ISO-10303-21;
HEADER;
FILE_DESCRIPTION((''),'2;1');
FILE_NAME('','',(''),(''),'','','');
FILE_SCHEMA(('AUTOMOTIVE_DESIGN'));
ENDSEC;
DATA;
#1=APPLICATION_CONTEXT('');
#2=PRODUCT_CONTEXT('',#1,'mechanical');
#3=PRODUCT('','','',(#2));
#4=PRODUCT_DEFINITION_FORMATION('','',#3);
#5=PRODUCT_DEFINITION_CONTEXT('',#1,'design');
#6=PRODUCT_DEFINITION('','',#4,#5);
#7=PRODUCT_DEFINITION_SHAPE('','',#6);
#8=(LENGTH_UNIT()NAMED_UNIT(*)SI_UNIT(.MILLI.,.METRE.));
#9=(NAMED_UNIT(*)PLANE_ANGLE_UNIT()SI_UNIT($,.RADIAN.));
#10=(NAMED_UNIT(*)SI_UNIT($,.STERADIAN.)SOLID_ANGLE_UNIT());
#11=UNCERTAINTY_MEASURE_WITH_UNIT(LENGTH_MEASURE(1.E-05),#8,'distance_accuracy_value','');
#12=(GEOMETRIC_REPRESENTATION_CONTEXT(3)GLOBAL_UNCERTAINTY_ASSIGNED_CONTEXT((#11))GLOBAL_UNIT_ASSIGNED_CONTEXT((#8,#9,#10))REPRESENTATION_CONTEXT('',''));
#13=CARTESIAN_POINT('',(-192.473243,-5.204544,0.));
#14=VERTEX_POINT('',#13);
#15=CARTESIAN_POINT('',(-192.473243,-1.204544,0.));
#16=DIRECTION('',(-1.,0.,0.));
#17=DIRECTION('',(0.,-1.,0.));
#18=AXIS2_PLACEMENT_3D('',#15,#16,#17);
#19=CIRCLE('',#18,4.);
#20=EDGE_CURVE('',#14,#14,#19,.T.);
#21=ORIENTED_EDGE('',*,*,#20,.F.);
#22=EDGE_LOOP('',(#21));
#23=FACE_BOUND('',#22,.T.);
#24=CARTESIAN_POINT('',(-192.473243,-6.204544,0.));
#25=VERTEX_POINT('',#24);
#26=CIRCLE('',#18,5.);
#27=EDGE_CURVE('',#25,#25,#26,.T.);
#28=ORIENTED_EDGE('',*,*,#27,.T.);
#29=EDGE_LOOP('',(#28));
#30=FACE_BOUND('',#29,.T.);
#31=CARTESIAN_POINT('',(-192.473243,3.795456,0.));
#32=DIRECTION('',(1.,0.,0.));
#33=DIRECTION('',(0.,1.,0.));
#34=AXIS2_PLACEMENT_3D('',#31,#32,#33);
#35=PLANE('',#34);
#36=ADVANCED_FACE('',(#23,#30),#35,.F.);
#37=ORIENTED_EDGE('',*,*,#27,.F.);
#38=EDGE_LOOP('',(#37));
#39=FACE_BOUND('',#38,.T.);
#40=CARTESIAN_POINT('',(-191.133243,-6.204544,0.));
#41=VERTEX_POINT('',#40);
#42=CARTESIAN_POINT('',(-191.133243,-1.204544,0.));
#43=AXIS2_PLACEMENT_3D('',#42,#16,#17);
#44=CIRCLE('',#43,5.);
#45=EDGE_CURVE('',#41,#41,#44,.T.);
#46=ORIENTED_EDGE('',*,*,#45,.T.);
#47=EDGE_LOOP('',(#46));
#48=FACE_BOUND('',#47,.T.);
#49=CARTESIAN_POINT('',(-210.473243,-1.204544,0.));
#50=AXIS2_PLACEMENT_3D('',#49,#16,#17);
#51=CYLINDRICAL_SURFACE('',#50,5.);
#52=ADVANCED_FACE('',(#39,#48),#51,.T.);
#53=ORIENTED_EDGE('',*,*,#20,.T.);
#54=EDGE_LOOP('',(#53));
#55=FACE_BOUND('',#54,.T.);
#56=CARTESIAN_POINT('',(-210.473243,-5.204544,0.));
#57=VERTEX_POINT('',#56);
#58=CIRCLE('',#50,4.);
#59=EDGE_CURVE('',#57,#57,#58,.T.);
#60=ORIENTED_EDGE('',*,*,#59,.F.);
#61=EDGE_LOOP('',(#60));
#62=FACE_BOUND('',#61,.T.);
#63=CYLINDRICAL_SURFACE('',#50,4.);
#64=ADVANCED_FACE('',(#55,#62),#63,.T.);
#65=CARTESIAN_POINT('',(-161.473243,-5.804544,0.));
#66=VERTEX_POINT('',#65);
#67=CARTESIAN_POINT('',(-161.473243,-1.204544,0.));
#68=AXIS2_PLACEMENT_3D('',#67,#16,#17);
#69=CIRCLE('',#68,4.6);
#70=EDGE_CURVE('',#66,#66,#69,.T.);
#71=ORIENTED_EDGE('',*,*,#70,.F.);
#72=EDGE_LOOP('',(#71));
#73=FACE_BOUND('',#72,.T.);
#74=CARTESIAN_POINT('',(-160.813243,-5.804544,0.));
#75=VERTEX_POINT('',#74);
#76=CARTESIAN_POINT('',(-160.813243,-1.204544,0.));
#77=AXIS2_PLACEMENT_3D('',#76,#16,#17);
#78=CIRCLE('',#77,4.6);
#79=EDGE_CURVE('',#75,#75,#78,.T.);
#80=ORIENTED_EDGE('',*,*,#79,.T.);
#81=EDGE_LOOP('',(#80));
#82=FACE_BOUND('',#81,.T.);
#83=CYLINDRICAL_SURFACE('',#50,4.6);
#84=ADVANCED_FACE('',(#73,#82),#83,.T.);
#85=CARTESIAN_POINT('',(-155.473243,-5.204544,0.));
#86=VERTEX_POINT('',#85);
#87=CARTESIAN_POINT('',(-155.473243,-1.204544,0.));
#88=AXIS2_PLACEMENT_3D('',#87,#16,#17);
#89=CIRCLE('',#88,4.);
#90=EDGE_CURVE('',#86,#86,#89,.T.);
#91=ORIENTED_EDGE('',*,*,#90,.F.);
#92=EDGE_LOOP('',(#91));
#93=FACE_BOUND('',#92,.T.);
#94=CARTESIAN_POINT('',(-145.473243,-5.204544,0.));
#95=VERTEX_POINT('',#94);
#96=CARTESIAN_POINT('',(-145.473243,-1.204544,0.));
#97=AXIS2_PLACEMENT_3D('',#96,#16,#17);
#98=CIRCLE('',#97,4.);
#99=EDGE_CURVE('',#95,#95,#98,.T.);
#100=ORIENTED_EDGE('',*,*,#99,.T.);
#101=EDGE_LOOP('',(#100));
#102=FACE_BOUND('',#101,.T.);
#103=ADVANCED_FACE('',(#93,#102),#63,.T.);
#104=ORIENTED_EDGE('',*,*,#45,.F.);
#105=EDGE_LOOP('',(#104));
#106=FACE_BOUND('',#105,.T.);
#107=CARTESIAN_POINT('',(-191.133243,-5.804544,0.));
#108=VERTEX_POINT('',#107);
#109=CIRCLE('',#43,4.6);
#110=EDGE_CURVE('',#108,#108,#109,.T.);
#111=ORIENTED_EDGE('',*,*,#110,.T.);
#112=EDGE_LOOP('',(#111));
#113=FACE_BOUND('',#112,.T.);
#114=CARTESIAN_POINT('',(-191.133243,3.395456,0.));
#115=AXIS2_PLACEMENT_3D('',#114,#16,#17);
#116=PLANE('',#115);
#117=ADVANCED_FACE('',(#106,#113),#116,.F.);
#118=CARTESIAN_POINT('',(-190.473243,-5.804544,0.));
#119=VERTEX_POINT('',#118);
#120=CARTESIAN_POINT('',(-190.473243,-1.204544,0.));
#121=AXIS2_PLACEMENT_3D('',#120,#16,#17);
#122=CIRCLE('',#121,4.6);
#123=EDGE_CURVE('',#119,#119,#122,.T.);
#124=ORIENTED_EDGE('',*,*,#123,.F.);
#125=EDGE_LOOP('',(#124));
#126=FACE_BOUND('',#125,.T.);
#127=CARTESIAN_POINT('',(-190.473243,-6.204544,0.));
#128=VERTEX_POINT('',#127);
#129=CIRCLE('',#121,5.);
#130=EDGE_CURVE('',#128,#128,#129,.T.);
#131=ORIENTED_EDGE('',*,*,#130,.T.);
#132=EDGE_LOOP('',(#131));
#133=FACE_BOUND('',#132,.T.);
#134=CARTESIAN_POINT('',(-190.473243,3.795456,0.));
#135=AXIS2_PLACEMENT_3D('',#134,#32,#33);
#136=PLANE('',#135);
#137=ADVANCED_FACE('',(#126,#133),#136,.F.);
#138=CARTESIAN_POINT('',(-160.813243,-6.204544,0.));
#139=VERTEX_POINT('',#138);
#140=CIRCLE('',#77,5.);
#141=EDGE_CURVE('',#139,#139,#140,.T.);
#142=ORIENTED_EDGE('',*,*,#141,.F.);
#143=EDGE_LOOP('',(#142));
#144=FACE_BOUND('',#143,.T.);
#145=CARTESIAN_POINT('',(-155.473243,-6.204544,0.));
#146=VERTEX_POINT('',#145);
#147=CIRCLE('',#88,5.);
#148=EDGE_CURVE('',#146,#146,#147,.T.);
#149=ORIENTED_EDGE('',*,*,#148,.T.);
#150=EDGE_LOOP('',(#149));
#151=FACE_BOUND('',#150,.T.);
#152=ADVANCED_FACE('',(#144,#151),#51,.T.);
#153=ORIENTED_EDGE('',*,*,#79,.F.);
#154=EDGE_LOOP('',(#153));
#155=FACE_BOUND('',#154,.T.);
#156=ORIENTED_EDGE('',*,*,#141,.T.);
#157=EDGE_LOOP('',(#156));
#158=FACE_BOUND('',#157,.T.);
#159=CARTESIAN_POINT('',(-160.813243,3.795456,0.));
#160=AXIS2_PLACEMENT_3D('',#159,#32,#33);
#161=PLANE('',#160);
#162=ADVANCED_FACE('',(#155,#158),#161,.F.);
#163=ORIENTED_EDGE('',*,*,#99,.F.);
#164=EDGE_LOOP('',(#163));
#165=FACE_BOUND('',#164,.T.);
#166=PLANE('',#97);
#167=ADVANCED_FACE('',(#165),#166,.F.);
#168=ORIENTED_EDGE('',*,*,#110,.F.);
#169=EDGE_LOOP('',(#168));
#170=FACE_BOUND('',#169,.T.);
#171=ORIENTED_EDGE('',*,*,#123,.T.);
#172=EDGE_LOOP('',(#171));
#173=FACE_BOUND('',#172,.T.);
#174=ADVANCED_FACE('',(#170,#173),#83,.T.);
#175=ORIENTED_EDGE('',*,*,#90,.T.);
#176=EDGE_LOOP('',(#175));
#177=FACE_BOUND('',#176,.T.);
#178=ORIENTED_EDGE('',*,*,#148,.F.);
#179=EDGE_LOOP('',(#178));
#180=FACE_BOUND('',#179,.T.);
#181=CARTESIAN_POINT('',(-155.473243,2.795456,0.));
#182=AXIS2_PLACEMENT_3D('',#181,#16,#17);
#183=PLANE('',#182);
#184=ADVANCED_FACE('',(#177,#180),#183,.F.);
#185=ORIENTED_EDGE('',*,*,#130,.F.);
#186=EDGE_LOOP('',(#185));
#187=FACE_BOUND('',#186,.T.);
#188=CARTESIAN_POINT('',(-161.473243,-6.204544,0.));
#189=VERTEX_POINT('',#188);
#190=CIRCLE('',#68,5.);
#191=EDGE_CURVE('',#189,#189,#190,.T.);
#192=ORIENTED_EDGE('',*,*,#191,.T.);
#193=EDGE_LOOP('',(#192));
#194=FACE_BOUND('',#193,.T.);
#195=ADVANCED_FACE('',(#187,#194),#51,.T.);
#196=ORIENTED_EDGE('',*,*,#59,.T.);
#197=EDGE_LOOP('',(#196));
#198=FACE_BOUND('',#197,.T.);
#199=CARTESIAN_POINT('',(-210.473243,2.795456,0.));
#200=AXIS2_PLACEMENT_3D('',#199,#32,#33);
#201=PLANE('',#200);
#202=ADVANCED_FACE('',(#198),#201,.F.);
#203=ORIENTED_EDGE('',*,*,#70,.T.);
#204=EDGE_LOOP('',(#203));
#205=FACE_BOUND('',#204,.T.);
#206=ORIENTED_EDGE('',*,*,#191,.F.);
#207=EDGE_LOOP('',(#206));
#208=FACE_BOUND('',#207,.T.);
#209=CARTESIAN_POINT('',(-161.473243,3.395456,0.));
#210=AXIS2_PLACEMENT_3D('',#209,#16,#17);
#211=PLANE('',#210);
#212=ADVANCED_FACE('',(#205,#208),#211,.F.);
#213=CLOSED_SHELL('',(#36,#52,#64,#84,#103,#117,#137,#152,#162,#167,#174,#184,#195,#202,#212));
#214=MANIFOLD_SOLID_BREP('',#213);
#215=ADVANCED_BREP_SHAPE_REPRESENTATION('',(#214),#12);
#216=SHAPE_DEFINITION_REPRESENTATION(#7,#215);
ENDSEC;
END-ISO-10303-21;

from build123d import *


with BuildPart() as part:
    # Sketch1 → Revolve1 (revolve)
    with BuildSketch(Plane.XY, mode=Mode.PRIVATE) as revolve1_sk:
        Polygon((-145.473243459, -1.204543566), (-145.473243459, 2.795456434), (-155.473243459, 2.795456434), (-155.473243459, 3.795456434), (-160.813243459, 3.795456434), (-160.813243459, 3.395456434), (-161.473243459, 3.395456434), (-161.473243459, 3.795456434), (-190.473243459, 3.795456434), (-190.473243459, 3.395456434), (-191.133243459, 3.395456434), (-191.133243459, 3.795456434), (-192.473243459, 3.795456434), (-192.473243459, 2.795456434), (-210.473243459, 2.795456434), (-210.473243459, -1.204543566), align=None)
    revolve(revolve1_sk.sketch.rotate(Axis((-210.473243459, -1.204543566, 0), (1, 0, 0)), 180), axis=Axis((-210.473243459, -1.204543566, 0), (1, 0, 0)))


solid = part.part
